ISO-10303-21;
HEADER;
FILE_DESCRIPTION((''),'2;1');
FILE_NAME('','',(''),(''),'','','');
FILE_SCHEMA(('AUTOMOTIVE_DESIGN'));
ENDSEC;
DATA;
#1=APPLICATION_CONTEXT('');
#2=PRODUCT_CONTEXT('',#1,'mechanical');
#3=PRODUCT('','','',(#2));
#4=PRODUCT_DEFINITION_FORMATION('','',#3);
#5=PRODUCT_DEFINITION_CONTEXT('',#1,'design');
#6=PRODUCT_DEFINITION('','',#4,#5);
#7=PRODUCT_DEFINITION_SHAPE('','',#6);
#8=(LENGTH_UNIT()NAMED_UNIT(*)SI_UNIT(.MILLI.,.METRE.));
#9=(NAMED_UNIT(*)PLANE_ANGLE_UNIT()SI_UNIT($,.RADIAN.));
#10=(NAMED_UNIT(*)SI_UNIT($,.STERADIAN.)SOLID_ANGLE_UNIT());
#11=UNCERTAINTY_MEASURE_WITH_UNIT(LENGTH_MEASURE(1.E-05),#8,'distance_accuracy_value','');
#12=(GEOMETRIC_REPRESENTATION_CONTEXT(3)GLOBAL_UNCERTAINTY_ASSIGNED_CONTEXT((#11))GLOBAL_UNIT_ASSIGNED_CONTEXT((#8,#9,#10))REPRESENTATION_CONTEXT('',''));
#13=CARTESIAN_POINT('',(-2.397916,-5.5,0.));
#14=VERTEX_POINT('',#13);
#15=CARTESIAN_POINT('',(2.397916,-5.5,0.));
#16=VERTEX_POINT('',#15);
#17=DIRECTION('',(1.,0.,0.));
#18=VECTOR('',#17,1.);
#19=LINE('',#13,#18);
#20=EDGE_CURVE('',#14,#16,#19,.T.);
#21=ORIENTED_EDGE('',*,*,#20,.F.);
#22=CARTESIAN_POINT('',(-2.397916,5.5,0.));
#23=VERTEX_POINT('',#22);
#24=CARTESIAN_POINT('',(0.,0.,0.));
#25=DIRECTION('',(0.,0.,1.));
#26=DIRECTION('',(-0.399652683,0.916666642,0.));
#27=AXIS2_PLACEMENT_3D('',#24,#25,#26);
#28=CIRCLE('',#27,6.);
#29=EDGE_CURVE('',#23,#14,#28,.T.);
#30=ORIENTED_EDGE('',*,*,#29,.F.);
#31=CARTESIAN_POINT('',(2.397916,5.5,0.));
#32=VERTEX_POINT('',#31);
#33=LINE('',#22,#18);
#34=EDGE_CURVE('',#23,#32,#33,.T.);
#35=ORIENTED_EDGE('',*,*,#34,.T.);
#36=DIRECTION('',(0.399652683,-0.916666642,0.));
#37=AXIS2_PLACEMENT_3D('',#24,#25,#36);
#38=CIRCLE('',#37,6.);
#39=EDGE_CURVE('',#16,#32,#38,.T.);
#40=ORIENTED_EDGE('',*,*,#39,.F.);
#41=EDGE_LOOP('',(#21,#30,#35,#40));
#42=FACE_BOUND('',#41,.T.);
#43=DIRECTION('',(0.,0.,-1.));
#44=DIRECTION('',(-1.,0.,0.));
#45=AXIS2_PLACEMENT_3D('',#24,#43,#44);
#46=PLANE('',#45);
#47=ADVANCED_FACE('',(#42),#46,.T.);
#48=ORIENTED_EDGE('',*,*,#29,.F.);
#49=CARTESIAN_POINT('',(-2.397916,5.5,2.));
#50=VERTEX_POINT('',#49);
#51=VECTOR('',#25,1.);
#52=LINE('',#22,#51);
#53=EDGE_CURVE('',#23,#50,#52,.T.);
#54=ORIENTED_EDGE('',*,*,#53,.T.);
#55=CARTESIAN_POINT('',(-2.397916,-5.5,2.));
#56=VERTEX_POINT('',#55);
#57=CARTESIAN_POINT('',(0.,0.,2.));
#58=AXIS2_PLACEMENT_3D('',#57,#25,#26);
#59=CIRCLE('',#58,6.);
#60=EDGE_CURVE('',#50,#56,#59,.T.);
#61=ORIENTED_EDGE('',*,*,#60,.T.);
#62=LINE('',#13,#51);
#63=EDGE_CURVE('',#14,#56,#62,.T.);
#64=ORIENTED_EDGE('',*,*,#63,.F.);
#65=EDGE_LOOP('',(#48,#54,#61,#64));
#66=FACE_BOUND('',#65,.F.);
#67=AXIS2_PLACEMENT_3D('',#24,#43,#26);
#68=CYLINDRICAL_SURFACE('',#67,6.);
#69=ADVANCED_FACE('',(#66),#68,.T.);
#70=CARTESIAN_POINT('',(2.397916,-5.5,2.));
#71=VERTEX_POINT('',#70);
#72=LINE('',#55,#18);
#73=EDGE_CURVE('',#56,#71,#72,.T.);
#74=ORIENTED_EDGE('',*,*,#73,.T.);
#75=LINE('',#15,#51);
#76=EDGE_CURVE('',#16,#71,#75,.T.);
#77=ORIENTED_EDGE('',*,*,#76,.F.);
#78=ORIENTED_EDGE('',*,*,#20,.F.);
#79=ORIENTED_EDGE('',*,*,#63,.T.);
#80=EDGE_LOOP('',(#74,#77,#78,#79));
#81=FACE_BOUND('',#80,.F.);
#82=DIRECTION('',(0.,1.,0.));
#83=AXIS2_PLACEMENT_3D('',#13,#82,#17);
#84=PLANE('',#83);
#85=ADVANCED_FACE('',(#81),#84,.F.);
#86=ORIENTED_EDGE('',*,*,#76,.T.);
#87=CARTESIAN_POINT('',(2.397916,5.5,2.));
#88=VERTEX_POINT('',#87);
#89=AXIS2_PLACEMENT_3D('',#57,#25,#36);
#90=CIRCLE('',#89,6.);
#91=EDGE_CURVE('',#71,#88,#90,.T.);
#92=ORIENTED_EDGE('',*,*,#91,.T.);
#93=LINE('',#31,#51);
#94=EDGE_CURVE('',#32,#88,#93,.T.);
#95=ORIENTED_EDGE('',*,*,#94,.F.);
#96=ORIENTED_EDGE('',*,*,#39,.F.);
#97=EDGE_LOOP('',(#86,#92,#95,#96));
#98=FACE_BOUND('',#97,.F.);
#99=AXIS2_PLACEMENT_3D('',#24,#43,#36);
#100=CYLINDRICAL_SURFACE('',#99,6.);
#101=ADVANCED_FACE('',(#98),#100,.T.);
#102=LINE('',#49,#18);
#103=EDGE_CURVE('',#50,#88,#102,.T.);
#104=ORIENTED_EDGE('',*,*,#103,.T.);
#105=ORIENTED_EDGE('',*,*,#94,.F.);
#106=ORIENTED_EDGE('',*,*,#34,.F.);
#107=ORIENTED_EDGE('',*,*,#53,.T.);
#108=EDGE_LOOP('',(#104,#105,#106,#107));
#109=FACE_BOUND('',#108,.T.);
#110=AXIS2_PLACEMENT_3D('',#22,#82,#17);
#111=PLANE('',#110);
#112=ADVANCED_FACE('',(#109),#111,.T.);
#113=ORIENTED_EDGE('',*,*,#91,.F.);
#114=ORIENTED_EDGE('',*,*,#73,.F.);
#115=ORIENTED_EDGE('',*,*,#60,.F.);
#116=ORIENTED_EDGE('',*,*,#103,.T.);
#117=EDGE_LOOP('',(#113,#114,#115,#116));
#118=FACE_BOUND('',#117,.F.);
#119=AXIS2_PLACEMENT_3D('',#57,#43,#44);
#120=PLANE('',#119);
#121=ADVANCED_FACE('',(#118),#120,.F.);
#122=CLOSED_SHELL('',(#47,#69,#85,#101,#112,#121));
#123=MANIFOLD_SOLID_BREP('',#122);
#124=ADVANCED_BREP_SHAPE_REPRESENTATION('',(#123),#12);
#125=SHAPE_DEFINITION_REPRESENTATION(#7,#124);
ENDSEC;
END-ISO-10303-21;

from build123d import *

# Parameters (mm, degrees)
PAD_DEPTH = 2


with BuildPart() as part:
    # Sketch → Pad (new body)
    with BuildSketch(Plane.XY):
        with BuildLine():
            Line((-2.397916, 5.5), (2.397916, 5.5))
            ThreePointArc((2.397916, -5.5), (6, 0), (2.397916, 5.5))
            Line((-2.397916, -5.5), (2.397916, -5.5))
            ThreePointArc((-2.397916, 5.5), (-6, 0), (-2.397916, -5.5))
        make_face()
    extrude(amount=PAD_DEPTH)


solid = part.part
